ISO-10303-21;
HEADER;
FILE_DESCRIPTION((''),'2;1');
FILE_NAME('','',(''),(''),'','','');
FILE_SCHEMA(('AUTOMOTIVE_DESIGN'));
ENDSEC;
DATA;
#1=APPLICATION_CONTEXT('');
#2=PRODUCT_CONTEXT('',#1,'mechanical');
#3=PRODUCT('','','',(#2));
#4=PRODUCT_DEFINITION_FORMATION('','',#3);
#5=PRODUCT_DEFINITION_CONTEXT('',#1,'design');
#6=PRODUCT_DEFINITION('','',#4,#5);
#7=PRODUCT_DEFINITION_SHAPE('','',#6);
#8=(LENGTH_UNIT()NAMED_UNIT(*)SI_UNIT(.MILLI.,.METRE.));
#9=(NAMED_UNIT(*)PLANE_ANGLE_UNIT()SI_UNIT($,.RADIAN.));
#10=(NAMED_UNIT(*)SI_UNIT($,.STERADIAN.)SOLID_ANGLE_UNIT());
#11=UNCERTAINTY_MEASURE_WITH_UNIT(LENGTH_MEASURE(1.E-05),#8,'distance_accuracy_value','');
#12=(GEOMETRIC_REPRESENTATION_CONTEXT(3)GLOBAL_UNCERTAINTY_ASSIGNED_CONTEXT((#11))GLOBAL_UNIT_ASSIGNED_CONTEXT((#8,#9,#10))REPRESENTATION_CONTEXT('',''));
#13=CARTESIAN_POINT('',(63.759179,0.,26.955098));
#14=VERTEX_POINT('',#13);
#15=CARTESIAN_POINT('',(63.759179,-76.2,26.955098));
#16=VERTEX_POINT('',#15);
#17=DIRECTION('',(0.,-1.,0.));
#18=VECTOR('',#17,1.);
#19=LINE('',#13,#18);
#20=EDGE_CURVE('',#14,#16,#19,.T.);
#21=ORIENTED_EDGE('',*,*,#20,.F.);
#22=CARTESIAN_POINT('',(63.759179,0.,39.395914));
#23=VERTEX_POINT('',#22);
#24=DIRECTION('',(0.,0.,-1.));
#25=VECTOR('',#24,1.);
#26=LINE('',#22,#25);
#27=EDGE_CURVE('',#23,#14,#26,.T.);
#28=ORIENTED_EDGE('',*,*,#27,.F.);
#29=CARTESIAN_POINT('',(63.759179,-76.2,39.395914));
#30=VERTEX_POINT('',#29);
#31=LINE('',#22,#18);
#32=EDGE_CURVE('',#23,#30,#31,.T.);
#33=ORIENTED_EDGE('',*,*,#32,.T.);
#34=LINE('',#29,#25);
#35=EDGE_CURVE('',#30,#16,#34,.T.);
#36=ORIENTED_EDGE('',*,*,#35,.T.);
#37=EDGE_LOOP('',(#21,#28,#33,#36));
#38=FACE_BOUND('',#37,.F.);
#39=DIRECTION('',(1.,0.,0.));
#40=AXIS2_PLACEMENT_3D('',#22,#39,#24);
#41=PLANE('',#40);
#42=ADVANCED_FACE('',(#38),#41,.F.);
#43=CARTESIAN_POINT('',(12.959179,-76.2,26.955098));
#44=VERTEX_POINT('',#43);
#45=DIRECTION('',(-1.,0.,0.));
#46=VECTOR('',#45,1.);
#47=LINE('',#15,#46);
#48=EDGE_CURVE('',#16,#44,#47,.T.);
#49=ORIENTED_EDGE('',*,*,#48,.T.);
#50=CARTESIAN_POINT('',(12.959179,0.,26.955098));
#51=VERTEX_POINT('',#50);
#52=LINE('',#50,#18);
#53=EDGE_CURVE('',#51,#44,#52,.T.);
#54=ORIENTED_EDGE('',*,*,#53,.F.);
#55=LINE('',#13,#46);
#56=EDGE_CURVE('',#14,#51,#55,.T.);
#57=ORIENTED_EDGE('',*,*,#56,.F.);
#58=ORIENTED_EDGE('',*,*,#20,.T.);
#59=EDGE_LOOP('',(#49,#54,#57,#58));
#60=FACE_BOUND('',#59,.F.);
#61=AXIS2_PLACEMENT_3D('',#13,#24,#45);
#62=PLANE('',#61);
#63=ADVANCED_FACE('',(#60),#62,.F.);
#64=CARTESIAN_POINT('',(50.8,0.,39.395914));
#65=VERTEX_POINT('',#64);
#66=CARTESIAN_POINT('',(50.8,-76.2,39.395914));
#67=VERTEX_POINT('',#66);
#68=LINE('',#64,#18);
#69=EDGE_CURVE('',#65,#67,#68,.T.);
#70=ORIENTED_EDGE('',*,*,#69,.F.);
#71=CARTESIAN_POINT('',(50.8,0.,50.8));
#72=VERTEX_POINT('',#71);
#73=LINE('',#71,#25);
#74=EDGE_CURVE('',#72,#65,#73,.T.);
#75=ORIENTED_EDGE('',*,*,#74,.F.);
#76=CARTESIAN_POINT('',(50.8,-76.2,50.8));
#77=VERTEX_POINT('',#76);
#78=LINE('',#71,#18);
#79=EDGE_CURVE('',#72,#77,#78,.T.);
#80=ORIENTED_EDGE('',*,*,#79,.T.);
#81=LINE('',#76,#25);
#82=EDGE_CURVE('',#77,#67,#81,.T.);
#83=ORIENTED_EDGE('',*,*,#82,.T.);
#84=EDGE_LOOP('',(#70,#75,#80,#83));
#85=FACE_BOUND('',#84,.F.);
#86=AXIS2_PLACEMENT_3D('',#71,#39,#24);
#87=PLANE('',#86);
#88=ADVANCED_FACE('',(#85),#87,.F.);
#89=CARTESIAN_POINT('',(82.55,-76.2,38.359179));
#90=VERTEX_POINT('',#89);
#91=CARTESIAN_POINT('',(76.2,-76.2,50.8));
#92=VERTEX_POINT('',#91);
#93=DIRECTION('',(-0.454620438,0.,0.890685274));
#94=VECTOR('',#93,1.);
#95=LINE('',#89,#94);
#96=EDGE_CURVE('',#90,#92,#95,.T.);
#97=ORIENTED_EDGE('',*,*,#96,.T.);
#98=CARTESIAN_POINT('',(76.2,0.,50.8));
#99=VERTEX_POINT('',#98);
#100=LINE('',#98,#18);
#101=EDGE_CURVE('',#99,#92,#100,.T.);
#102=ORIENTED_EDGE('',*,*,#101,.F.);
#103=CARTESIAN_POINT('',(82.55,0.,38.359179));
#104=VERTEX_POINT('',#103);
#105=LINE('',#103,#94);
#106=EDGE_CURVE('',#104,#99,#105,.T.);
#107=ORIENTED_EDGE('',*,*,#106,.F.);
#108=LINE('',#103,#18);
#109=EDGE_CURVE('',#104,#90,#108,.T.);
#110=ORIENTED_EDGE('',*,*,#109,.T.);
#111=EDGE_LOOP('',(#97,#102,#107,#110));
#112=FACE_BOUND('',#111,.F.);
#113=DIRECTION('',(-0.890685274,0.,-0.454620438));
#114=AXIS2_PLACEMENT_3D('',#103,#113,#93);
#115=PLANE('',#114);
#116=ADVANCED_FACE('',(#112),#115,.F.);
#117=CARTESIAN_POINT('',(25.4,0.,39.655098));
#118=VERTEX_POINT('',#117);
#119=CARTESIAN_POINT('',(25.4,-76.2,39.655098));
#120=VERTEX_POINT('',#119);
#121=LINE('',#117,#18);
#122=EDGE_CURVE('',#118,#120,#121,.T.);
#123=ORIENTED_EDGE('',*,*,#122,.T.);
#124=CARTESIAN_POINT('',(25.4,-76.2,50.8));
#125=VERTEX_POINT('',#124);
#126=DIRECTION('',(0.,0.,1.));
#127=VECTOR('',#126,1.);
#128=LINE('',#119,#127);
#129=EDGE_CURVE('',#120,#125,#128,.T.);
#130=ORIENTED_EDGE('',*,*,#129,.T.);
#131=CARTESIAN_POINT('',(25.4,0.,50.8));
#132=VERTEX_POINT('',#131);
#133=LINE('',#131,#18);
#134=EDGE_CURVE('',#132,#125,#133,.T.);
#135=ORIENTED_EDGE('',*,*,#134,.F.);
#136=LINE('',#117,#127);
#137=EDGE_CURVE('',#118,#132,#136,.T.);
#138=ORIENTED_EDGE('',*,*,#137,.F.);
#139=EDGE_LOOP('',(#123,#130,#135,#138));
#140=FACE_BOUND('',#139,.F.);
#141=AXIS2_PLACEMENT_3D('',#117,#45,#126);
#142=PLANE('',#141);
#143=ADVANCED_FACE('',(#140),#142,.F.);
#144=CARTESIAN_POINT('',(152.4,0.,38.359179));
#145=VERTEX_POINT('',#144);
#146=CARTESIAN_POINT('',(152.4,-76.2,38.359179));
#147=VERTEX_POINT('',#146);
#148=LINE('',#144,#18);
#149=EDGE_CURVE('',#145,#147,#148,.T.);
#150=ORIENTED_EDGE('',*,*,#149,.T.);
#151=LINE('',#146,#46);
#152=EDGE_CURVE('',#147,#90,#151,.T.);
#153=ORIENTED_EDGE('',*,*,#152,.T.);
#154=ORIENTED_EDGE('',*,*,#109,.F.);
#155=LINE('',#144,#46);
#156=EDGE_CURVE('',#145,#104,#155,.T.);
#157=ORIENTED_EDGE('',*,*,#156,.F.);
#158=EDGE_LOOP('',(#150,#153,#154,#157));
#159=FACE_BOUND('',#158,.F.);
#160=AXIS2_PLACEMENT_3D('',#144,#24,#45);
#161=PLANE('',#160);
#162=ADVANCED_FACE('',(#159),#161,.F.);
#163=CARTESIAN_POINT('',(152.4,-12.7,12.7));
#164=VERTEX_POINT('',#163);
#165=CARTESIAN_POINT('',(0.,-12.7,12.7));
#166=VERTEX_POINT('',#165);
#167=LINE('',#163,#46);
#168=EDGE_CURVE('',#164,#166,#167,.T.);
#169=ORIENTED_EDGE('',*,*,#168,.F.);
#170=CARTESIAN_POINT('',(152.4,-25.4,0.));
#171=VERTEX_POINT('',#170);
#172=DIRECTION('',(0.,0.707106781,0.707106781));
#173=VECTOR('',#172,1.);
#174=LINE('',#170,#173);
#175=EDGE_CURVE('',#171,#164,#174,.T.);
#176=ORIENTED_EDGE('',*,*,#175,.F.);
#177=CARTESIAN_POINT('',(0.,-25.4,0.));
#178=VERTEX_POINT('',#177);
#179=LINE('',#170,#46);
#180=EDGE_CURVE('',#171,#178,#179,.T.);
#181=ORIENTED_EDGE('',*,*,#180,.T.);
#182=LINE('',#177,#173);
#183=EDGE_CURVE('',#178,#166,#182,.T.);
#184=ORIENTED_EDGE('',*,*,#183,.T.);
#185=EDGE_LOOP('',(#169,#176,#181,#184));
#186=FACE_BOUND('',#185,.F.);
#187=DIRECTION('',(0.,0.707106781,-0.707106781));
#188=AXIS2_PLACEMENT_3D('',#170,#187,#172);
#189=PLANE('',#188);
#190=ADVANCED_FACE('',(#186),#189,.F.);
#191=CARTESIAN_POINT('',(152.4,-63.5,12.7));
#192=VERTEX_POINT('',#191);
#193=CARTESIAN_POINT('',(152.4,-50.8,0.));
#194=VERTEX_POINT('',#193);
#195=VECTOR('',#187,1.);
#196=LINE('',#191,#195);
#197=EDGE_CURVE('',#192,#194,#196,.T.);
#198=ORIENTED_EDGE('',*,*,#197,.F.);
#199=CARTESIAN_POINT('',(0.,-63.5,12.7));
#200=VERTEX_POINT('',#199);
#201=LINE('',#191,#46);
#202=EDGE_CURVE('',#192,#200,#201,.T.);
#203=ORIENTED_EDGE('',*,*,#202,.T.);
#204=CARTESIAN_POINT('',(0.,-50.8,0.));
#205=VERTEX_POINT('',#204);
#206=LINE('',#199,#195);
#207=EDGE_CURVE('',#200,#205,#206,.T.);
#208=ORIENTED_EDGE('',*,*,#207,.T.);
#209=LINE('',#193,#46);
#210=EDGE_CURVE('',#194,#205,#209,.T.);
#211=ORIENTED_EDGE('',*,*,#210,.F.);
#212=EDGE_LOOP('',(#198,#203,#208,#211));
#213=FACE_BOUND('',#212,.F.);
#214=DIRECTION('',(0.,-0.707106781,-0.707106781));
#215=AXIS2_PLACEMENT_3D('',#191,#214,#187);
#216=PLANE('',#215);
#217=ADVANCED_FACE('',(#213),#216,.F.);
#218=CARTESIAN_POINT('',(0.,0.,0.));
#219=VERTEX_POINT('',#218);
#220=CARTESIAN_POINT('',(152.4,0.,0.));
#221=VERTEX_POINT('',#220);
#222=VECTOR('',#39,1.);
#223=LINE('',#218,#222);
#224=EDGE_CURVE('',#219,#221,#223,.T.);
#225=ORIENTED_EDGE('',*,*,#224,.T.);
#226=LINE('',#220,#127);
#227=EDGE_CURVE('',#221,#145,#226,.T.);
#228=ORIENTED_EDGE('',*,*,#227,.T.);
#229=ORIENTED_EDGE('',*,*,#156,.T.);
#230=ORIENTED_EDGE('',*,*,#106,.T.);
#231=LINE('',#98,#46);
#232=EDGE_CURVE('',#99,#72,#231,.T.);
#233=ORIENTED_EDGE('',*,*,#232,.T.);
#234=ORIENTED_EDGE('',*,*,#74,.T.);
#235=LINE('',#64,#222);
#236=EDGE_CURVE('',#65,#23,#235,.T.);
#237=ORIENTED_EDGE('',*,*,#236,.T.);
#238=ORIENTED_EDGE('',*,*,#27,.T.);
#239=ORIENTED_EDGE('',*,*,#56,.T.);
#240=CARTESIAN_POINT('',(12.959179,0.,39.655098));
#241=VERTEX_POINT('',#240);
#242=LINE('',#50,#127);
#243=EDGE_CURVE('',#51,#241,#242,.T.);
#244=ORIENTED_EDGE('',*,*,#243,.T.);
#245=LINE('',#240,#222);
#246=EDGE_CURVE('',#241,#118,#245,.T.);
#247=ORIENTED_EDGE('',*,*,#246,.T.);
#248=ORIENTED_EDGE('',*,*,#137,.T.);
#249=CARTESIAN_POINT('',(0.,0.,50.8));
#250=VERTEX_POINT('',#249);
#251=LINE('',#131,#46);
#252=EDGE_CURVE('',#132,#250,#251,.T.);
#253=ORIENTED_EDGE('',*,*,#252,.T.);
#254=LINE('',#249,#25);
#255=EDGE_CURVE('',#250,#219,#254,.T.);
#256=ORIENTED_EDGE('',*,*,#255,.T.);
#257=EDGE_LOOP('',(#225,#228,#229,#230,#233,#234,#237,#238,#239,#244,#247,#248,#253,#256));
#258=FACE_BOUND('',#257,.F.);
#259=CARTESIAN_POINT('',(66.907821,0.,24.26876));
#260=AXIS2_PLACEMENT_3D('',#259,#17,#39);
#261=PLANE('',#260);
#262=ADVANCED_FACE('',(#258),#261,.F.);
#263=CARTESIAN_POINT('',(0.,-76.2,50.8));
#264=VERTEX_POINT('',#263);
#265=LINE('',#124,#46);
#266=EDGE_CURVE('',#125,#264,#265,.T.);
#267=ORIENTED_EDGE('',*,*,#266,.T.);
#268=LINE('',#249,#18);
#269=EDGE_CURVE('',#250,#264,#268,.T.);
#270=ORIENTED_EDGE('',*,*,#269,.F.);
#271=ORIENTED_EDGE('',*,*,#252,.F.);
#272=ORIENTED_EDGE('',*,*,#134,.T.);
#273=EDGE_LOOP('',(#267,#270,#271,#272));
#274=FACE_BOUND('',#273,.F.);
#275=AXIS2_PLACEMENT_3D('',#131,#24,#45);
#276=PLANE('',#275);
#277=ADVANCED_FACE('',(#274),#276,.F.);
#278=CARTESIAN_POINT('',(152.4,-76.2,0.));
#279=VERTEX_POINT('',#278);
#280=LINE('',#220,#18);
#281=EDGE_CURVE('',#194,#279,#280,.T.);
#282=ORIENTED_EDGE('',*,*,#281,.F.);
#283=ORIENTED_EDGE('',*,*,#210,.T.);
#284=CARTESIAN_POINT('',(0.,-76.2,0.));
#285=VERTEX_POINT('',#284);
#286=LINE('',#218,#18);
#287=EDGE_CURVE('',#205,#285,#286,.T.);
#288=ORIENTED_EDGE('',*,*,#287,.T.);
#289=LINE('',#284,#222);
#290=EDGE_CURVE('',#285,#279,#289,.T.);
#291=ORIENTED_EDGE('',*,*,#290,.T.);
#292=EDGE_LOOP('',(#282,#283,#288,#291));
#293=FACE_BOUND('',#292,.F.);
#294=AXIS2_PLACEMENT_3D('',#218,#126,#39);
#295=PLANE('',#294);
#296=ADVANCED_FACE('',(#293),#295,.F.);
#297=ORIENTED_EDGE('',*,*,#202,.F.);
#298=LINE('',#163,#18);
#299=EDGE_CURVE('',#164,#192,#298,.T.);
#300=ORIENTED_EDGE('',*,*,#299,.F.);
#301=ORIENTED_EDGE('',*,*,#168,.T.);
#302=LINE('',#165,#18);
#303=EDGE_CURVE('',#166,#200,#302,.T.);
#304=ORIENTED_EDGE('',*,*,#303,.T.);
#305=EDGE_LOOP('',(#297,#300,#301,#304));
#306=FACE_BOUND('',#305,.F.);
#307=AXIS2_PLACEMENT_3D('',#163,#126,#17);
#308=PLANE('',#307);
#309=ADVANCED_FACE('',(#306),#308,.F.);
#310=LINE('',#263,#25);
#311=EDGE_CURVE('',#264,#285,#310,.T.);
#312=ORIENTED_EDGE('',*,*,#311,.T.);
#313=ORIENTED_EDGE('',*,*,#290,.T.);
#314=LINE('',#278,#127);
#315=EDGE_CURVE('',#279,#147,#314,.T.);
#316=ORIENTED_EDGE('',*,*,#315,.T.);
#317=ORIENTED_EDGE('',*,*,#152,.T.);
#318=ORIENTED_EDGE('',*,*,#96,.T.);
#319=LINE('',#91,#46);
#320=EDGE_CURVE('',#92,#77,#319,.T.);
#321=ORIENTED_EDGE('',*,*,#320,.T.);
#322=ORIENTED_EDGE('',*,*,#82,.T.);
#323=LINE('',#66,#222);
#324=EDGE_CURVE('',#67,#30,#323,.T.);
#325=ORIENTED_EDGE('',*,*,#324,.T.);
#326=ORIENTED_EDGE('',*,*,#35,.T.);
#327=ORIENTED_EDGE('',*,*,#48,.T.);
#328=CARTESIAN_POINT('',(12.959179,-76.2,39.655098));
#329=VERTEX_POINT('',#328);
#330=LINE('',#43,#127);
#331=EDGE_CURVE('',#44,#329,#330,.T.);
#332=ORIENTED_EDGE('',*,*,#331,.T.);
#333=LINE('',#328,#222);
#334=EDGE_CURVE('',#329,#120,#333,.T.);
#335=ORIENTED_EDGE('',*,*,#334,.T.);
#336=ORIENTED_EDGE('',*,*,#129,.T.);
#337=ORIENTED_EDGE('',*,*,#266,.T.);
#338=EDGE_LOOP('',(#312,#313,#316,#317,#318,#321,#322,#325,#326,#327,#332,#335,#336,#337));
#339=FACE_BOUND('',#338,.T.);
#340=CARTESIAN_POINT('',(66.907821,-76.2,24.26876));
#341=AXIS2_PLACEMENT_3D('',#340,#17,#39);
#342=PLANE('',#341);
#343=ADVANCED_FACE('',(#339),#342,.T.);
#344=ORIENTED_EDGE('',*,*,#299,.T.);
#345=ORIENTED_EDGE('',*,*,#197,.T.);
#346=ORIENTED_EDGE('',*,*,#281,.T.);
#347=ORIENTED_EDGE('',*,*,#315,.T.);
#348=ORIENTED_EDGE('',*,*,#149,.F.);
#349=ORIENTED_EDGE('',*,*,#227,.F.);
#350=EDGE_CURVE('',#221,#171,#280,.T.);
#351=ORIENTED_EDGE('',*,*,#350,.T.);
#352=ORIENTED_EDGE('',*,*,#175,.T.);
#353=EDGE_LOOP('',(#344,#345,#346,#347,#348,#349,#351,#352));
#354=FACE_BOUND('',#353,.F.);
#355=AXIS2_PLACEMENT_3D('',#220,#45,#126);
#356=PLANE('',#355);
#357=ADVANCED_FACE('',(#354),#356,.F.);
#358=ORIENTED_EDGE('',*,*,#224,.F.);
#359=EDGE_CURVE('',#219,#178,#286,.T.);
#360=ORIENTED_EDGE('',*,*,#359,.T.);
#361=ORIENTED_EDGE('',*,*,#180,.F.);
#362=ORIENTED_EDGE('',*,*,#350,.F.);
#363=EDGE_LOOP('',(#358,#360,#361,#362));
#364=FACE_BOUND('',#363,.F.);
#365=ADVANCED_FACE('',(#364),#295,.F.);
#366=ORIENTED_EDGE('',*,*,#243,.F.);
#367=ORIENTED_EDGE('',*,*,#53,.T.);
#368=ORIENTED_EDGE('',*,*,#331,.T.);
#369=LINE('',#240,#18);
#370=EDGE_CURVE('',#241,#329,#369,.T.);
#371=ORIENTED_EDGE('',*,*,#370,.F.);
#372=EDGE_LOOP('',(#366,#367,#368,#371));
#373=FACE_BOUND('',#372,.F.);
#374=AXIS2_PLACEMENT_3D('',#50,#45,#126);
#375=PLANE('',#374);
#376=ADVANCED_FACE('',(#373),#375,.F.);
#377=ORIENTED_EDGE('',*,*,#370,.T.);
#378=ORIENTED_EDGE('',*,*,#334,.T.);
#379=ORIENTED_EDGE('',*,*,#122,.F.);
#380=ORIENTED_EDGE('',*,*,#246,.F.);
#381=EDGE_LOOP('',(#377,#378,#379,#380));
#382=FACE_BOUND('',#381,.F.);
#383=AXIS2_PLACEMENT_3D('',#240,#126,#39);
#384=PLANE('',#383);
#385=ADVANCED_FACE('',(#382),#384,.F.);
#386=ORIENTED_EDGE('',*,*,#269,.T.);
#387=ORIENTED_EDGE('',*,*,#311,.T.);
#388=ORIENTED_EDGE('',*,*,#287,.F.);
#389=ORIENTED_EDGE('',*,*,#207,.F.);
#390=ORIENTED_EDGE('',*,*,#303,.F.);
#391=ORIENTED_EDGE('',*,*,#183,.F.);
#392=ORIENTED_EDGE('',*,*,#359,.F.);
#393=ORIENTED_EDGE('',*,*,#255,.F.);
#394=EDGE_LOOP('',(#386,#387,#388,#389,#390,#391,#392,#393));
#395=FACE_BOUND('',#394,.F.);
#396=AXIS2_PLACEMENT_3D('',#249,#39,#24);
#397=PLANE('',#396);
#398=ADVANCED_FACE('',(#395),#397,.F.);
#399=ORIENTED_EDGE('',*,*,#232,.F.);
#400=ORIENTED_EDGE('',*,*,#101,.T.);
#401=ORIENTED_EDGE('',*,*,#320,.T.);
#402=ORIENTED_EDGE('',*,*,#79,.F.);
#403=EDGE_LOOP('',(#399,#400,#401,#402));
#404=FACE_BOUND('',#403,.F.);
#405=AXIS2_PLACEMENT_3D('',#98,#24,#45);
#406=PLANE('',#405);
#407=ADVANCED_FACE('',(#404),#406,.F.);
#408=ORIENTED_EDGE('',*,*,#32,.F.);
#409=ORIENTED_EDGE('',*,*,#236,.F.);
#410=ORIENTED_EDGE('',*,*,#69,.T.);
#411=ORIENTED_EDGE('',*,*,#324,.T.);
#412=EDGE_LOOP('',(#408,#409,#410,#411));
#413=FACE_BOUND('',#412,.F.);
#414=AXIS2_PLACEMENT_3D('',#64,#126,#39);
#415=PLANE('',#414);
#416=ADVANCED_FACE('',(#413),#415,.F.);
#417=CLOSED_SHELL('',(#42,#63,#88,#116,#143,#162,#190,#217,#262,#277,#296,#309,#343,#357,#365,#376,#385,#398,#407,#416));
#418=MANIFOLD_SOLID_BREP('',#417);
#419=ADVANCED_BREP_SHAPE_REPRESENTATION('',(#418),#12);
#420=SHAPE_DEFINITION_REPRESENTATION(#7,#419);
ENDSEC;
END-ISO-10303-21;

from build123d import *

# Parameters (mm, degrees)
F1_DEPTH = 76.2
F3_DEPTH = 152.4


with BuildPart() as f1:
    # F0 (on Front) → F1 (new body)
    with BuildSketch(Plane.XZ):
        Polygon((0, 50.8), (0, 0), (152.4, 0), (152.4, 38.359179), (82.55, 38.359179), (76.2, 50.8), (50.8, 50.8), (50.8, 39.395914), (63.759179, 39.395914), (63.759179, 26.955098), (12.959179, 26.955098), (12.959179, 39.655098), (25.4, 39.655098), (25.4, 50.8), align=None)
    extrude(amount=F1_DEPTH)

    # F2 (on face) → F3 (cut)
    with BuildSketch(Plane.YZ.offset(152.4)):
        Polygon((-63.5, 12.7), (-50.8, 0), (-25.4, 0), (-12.7, 12.7), align=None)
    extrude(amount=-F3_DEPTH, mode=Mode.SUBTRACT)


solid = f1.part
